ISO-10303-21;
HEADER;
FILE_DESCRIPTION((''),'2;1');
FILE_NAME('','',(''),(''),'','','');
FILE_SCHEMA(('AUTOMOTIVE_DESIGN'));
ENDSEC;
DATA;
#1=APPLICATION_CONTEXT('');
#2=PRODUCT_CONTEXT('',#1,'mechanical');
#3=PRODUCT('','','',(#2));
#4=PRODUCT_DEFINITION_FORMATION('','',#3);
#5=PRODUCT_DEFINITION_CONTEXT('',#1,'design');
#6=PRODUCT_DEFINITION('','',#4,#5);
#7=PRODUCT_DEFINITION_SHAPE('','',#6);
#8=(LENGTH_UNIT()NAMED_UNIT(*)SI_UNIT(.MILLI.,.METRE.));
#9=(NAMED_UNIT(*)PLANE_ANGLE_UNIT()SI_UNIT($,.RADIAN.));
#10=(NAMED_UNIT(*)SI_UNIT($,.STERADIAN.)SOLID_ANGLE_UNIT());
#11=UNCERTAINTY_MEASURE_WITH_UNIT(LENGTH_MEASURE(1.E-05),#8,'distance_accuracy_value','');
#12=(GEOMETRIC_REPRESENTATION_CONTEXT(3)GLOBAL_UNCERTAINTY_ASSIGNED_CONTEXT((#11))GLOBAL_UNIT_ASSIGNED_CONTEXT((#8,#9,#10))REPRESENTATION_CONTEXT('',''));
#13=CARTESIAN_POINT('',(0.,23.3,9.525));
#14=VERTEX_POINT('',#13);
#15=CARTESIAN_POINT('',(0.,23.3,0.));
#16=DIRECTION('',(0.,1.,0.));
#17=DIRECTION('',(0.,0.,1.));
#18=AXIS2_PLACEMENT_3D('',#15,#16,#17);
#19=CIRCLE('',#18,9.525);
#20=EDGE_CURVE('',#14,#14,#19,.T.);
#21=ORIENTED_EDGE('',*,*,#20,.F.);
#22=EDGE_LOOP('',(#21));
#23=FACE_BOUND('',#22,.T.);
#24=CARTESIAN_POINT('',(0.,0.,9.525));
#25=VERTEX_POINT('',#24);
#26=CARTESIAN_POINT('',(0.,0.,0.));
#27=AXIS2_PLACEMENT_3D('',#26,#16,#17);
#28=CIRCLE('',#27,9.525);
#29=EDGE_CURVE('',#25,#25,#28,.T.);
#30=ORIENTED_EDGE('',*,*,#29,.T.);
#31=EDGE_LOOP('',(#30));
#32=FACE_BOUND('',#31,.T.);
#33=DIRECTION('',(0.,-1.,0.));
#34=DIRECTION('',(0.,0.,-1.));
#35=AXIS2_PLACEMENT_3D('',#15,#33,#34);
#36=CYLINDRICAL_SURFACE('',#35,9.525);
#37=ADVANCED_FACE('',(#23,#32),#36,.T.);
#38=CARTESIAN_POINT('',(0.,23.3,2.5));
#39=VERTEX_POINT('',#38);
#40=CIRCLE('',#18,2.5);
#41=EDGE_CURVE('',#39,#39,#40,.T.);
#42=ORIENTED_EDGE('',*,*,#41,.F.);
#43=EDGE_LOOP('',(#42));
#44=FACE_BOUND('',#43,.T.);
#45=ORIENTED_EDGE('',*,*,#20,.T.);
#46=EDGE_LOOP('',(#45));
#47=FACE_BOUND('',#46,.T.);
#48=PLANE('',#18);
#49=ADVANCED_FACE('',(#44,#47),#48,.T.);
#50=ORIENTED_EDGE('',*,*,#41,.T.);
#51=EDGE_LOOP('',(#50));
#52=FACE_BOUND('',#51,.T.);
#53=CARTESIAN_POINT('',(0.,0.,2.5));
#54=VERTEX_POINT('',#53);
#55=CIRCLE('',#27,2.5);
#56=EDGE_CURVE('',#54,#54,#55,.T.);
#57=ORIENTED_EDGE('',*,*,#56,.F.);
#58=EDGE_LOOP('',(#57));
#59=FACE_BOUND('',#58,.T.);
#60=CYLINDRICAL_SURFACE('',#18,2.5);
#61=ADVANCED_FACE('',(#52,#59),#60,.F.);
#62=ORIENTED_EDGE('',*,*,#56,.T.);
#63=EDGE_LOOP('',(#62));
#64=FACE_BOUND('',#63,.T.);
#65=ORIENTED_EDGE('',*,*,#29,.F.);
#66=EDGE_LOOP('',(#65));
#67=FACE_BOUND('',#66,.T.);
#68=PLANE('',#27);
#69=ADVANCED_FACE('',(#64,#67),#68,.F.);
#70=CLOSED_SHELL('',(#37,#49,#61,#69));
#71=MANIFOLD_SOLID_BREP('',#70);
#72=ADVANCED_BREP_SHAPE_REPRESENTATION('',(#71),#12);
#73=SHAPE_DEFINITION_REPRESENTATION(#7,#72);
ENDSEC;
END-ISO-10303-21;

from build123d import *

# Parameters (mm, degrees)
SKETCH1_R             = 9.525
BOSS_EXTRUDE1_DEPTH   = 23.3
F_5_0MM_DOWEL_HOLE1_D = 5


with BuildPart() as part:
    # Sketch1 → Boss-Extrude1 (new body)
    with BuildSketch(Plane(origin=(0, 0, 0), x_dir=(1, 0, 0), z_dir=(0, 1, 0))):
        with Locations(Location((0, 0, 0), (0, 0, 270))):
            Circle(SKETCH1_R)
    extrude(amount=BOSS_EXTRUDE1_DEPTH)

    # Ø5.0mm Dowel Hole1 (through all)
    with Locations(Plane(origin=(0, 23.3, 0), x_dir=(1, 0, 0), z_dir=(0, 1, 0))):
        with Locations((0, 0)):
            Hole(F_5_0MM_DOWEL_HOLE1_D / 2)


solid = part.part
